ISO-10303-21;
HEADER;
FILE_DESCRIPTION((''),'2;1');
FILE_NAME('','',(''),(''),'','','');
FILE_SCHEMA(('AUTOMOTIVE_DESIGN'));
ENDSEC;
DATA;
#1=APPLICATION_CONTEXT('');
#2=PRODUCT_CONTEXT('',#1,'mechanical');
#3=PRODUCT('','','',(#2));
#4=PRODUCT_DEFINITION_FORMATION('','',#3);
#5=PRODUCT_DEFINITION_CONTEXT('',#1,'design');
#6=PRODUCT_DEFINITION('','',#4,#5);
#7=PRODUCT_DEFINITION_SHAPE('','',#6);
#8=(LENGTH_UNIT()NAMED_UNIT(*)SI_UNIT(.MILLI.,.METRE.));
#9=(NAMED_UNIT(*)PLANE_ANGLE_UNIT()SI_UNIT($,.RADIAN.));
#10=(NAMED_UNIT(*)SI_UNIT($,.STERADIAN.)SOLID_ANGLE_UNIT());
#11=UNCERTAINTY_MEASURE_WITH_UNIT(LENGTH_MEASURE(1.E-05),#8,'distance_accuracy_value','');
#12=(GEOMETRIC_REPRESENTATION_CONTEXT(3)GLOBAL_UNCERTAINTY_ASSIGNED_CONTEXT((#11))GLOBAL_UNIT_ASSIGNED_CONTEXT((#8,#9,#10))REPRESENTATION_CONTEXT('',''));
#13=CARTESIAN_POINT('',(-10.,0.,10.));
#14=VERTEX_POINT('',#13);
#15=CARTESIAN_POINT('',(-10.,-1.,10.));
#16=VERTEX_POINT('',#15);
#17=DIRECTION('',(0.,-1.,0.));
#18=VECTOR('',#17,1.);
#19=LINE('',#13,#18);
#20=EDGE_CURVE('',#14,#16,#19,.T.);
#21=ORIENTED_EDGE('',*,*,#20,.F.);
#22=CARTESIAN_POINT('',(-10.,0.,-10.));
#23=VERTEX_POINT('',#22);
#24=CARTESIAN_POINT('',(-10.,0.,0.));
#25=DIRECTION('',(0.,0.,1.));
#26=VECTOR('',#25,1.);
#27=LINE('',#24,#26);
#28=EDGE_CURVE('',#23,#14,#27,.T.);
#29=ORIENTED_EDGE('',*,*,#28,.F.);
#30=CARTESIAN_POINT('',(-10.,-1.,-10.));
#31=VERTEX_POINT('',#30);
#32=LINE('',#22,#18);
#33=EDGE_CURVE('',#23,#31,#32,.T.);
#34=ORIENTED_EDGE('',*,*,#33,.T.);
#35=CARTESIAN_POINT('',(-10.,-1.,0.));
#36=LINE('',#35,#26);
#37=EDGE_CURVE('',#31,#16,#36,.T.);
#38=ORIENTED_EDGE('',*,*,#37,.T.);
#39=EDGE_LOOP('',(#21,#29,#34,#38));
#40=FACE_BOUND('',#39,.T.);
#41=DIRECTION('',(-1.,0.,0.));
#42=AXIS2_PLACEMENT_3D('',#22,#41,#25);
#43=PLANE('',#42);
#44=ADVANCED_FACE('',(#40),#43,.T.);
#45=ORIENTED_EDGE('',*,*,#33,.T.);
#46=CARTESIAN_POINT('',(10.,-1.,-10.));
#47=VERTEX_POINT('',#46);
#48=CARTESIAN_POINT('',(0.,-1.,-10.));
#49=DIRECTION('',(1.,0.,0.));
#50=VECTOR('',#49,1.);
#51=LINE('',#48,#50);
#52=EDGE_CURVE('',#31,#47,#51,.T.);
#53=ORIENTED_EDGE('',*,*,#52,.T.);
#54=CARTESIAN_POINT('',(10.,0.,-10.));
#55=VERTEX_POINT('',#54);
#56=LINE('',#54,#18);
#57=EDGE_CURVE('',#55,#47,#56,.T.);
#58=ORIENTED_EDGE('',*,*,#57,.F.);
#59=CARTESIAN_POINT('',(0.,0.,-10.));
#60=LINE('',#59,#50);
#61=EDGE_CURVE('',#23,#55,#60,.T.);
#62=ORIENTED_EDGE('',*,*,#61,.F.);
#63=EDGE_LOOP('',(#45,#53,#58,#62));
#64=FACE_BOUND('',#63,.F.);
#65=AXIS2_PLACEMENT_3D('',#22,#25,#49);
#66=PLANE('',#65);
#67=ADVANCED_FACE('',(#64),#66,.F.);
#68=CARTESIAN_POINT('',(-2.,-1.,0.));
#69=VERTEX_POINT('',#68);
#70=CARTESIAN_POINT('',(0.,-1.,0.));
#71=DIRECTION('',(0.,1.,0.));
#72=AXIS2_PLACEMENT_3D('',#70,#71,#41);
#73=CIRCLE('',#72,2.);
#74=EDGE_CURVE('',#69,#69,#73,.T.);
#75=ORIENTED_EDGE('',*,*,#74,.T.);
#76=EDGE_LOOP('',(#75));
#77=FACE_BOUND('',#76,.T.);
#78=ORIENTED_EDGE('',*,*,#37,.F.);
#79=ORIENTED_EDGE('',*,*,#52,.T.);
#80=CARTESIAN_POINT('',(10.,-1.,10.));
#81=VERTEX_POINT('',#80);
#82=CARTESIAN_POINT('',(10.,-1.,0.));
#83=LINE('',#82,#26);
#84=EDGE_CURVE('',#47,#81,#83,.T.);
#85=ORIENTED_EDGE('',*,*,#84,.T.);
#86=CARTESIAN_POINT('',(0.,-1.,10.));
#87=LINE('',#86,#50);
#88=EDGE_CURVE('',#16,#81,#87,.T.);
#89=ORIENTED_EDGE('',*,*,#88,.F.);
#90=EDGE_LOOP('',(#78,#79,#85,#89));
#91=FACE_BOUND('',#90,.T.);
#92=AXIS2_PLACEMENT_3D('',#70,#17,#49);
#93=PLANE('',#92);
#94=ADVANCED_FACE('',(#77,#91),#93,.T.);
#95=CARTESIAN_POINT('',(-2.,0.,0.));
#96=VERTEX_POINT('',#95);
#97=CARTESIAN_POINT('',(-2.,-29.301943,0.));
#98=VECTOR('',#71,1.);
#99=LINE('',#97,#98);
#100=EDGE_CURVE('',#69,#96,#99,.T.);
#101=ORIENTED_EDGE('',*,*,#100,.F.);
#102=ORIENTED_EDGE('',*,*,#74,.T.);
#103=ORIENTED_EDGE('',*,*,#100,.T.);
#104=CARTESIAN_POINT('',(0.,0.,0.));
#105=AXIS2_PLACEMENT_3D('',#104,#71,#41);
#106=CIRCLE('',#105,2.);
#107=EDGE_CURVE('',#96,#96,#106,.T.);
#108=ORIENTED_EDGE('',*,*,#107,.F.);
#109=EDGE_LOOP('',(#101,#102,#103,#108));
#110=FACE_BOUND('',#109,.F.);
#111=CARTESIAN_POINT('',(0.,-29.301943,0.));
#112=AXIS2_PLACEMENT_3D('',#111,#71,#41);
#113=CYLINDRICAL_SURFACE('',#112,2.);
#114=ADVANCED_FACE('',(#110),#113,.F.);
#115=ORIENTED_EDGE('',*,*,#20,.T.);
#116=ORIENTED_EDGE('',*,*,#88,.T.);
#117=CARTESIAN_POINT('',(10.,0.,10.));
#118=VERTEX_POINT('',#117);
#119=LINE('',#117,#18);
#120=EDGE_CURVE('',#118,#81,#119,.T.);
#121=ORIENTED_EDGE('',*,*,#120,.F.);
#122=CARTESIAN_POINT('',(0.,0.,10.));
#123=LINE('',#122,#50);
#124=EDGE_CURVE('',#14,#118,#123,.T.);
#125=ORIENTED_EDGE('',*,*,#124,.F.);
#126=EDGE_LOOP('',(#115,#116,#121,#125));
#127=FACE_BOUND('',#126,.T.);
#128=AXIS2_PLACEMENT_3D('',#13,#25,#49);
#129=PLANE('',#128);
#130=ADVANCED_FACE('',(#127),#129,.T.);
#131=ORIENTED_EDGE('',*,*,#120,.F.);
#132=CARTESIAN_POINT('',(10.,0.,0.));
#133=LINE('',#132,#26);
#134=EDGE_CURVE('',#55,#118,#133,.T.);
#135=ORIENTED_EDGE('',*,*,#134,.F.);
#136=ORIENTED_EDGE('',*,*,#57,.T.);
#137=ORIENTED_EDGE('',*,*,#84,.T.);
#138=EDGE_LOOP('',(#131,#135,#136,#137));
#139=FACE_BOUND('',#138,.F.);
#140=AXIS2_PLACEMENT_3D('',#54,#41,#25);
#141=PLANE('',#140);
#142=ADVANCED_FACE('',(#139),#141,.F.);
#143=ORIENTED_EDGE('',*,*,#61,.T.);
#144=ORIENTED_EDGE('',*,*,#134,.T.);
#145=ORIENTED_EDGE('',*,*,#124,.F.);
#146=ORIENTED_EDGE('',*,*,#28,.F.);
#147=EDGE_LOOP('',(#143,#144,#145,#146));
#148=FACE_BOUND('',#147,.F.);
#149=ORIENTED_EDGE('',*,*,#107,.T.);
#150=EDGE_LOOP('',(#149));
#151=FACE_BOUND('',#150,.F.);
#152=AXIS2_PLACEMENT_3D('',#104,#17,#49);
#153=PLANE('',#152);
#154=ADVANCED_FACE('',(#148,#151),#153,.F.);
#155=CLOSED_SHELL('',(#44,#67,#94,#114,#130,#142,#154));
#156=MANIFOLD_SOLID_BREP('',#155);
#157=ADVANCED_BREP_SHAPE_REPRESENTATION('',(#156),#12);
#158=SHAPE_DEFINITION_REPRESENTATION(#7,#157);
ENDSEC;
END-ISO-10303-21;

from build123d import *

# Parameters (mm, degrees)
F0_W     = 20
F0_H     = 20
F1_DEPTH = 1
F3_D     = 4


with BuildPart() as f1:
    # F0 (on Front) → F1 (new body)
    with BuildSketch(Plane.XZ):
        Rectangle(F0_W, F0_H)
    extrude(amount=F1_DEPTH)

    # F3 (through all)
    with Locations(Plane.XZ.offset(1)):
        with Locations((0, 0)):
            Hole(F3_D / 2)


solid = f1.part
